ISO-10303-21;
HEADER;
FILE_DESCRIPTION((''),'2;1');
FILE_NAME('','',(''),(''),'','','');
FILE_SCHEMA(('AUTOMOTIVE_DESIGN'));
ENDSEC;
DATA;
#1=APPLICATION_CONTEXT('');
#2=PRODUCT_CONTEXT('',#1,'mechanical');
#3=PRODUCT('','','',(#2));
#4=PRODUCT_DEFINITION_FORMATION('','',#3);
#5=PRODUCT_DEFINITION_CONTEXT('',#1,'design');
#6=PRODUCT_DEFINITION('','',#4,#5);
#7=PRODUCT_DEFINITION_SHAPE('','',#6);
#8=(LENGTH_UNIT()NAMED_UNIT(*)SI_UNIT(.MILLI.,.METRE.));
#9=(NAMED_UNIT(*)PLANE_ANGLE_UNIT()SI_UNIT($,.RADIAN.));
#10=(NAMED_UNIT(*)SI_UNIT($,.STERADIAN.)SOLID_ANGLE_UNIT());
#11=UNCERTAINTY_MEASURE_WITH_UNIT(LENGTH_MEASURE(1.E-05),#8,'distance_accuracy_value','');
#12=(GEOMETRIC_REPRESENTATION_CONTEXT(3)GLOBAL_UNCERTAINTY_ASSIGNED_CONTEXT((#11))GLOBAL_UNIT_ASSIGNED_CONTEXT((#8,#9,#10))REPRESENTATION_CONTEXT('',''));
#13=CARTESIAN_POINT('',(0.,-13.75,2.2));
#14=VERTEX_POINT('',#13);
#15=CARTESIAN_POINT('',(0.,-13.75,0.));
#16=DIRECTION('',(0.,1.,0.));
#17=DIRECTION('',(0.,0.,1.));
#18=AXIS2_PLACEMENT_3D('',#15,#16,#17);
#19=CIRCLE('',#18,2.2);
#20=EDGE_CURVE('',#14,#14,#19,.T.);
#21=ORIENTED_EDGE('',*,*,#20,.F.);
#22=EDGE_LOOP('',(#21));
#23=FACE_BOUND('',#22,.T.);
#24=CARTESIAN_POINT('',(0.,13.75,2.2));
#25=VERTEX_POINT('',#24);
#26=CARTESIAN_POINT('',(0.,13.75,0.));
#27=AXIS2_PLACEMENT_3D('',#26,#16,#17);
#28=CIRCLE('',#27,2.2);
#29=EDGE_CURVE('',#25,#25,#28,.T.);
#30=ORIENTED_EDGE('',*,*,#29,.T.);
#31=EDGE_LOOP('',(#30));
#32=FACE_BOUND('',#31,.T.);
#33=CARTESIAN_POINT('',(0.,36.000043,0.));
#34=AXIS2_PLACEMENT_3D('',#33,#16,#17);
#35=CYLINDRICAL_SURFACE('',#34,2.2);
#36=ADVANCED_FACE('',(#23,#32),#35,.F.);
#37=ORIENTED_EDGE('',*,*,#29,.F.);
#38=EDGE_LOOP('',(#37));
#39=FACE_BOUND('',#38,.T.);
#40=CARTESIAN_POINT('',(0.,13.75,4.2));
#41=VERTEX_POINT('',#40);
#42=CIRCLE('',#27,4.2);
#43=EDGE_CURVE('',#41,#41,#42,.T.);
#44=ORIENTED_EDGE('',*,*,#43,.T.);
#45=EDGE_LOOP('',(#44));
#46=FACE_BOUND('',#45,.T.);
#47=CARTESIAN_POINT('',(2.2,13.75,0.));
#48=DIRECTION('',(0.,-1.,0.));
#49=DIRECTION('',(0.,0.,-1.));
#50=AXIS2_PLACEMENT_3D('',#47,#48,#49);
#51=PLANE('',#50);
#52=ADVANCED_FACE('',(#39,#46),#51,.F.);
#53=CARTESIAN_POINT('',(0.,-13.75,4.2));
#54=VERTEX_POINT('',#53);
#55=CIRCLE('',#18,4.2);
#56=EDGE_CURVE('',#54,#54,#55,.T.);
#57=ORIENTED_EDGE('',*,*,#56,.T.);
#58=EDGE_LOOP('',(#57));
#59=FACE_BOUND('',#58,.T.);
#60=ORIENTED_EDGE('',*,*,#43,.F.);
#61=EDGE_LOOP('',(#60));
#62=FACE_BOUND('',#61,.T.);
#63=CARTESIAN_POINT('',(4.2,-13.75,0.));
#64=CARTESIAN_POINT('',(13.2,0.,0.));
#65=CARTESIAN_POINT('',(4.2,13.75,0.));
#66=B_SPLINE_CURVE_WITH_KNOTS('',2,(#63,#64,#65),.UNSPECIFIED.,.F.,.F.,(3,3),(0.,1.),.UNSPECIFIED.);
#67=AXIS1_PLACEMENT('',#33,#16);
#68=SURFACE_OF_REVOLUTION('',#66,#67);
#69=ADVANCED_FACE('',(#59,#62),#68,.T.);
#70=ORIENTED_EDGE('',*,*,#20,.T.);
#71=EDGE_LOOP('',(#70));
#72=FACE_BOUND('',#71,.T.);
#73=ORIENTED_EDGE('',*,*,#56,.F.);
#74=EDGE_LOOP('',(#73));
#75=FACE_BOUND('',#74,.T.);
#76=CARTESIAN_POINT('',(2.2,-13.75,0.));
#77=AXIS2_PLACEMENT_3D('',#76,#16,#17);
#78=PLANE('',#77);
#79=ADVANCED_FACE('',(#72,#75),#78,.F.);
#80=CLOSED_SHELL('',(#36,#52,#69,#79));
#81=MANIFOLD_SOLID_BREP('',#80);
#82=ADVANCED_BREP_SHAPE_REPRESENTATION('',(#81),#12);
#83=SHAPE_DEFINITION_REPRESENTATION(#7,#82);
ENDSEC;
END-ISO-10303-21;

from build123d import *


with BuildPart() as part:
    # Sketch1 → Revolve1 (revolve)
    with BuildSketch(Plane.XY):
        with BuildLine():
            Line((2.2, 0), (2.2, 13.75))
            Line((2.2, 13.75), (4.2, 13.75))
            add(Edge.make_bspline(
                [(4.2, 13.75), (13.2, 0), (4.2, -13.75)],
                knots=[0, 0, 0, 1, 1, 1], degree=2))
            Line((4.2, -13.75), (2.2, -13.75))
            Line((2.2, -13.75), (2.2, 0))
        make_face()
    revolve(axis=Axis((0, 36.000042735, 0), (0, -1, 0)))


solid = part.part
